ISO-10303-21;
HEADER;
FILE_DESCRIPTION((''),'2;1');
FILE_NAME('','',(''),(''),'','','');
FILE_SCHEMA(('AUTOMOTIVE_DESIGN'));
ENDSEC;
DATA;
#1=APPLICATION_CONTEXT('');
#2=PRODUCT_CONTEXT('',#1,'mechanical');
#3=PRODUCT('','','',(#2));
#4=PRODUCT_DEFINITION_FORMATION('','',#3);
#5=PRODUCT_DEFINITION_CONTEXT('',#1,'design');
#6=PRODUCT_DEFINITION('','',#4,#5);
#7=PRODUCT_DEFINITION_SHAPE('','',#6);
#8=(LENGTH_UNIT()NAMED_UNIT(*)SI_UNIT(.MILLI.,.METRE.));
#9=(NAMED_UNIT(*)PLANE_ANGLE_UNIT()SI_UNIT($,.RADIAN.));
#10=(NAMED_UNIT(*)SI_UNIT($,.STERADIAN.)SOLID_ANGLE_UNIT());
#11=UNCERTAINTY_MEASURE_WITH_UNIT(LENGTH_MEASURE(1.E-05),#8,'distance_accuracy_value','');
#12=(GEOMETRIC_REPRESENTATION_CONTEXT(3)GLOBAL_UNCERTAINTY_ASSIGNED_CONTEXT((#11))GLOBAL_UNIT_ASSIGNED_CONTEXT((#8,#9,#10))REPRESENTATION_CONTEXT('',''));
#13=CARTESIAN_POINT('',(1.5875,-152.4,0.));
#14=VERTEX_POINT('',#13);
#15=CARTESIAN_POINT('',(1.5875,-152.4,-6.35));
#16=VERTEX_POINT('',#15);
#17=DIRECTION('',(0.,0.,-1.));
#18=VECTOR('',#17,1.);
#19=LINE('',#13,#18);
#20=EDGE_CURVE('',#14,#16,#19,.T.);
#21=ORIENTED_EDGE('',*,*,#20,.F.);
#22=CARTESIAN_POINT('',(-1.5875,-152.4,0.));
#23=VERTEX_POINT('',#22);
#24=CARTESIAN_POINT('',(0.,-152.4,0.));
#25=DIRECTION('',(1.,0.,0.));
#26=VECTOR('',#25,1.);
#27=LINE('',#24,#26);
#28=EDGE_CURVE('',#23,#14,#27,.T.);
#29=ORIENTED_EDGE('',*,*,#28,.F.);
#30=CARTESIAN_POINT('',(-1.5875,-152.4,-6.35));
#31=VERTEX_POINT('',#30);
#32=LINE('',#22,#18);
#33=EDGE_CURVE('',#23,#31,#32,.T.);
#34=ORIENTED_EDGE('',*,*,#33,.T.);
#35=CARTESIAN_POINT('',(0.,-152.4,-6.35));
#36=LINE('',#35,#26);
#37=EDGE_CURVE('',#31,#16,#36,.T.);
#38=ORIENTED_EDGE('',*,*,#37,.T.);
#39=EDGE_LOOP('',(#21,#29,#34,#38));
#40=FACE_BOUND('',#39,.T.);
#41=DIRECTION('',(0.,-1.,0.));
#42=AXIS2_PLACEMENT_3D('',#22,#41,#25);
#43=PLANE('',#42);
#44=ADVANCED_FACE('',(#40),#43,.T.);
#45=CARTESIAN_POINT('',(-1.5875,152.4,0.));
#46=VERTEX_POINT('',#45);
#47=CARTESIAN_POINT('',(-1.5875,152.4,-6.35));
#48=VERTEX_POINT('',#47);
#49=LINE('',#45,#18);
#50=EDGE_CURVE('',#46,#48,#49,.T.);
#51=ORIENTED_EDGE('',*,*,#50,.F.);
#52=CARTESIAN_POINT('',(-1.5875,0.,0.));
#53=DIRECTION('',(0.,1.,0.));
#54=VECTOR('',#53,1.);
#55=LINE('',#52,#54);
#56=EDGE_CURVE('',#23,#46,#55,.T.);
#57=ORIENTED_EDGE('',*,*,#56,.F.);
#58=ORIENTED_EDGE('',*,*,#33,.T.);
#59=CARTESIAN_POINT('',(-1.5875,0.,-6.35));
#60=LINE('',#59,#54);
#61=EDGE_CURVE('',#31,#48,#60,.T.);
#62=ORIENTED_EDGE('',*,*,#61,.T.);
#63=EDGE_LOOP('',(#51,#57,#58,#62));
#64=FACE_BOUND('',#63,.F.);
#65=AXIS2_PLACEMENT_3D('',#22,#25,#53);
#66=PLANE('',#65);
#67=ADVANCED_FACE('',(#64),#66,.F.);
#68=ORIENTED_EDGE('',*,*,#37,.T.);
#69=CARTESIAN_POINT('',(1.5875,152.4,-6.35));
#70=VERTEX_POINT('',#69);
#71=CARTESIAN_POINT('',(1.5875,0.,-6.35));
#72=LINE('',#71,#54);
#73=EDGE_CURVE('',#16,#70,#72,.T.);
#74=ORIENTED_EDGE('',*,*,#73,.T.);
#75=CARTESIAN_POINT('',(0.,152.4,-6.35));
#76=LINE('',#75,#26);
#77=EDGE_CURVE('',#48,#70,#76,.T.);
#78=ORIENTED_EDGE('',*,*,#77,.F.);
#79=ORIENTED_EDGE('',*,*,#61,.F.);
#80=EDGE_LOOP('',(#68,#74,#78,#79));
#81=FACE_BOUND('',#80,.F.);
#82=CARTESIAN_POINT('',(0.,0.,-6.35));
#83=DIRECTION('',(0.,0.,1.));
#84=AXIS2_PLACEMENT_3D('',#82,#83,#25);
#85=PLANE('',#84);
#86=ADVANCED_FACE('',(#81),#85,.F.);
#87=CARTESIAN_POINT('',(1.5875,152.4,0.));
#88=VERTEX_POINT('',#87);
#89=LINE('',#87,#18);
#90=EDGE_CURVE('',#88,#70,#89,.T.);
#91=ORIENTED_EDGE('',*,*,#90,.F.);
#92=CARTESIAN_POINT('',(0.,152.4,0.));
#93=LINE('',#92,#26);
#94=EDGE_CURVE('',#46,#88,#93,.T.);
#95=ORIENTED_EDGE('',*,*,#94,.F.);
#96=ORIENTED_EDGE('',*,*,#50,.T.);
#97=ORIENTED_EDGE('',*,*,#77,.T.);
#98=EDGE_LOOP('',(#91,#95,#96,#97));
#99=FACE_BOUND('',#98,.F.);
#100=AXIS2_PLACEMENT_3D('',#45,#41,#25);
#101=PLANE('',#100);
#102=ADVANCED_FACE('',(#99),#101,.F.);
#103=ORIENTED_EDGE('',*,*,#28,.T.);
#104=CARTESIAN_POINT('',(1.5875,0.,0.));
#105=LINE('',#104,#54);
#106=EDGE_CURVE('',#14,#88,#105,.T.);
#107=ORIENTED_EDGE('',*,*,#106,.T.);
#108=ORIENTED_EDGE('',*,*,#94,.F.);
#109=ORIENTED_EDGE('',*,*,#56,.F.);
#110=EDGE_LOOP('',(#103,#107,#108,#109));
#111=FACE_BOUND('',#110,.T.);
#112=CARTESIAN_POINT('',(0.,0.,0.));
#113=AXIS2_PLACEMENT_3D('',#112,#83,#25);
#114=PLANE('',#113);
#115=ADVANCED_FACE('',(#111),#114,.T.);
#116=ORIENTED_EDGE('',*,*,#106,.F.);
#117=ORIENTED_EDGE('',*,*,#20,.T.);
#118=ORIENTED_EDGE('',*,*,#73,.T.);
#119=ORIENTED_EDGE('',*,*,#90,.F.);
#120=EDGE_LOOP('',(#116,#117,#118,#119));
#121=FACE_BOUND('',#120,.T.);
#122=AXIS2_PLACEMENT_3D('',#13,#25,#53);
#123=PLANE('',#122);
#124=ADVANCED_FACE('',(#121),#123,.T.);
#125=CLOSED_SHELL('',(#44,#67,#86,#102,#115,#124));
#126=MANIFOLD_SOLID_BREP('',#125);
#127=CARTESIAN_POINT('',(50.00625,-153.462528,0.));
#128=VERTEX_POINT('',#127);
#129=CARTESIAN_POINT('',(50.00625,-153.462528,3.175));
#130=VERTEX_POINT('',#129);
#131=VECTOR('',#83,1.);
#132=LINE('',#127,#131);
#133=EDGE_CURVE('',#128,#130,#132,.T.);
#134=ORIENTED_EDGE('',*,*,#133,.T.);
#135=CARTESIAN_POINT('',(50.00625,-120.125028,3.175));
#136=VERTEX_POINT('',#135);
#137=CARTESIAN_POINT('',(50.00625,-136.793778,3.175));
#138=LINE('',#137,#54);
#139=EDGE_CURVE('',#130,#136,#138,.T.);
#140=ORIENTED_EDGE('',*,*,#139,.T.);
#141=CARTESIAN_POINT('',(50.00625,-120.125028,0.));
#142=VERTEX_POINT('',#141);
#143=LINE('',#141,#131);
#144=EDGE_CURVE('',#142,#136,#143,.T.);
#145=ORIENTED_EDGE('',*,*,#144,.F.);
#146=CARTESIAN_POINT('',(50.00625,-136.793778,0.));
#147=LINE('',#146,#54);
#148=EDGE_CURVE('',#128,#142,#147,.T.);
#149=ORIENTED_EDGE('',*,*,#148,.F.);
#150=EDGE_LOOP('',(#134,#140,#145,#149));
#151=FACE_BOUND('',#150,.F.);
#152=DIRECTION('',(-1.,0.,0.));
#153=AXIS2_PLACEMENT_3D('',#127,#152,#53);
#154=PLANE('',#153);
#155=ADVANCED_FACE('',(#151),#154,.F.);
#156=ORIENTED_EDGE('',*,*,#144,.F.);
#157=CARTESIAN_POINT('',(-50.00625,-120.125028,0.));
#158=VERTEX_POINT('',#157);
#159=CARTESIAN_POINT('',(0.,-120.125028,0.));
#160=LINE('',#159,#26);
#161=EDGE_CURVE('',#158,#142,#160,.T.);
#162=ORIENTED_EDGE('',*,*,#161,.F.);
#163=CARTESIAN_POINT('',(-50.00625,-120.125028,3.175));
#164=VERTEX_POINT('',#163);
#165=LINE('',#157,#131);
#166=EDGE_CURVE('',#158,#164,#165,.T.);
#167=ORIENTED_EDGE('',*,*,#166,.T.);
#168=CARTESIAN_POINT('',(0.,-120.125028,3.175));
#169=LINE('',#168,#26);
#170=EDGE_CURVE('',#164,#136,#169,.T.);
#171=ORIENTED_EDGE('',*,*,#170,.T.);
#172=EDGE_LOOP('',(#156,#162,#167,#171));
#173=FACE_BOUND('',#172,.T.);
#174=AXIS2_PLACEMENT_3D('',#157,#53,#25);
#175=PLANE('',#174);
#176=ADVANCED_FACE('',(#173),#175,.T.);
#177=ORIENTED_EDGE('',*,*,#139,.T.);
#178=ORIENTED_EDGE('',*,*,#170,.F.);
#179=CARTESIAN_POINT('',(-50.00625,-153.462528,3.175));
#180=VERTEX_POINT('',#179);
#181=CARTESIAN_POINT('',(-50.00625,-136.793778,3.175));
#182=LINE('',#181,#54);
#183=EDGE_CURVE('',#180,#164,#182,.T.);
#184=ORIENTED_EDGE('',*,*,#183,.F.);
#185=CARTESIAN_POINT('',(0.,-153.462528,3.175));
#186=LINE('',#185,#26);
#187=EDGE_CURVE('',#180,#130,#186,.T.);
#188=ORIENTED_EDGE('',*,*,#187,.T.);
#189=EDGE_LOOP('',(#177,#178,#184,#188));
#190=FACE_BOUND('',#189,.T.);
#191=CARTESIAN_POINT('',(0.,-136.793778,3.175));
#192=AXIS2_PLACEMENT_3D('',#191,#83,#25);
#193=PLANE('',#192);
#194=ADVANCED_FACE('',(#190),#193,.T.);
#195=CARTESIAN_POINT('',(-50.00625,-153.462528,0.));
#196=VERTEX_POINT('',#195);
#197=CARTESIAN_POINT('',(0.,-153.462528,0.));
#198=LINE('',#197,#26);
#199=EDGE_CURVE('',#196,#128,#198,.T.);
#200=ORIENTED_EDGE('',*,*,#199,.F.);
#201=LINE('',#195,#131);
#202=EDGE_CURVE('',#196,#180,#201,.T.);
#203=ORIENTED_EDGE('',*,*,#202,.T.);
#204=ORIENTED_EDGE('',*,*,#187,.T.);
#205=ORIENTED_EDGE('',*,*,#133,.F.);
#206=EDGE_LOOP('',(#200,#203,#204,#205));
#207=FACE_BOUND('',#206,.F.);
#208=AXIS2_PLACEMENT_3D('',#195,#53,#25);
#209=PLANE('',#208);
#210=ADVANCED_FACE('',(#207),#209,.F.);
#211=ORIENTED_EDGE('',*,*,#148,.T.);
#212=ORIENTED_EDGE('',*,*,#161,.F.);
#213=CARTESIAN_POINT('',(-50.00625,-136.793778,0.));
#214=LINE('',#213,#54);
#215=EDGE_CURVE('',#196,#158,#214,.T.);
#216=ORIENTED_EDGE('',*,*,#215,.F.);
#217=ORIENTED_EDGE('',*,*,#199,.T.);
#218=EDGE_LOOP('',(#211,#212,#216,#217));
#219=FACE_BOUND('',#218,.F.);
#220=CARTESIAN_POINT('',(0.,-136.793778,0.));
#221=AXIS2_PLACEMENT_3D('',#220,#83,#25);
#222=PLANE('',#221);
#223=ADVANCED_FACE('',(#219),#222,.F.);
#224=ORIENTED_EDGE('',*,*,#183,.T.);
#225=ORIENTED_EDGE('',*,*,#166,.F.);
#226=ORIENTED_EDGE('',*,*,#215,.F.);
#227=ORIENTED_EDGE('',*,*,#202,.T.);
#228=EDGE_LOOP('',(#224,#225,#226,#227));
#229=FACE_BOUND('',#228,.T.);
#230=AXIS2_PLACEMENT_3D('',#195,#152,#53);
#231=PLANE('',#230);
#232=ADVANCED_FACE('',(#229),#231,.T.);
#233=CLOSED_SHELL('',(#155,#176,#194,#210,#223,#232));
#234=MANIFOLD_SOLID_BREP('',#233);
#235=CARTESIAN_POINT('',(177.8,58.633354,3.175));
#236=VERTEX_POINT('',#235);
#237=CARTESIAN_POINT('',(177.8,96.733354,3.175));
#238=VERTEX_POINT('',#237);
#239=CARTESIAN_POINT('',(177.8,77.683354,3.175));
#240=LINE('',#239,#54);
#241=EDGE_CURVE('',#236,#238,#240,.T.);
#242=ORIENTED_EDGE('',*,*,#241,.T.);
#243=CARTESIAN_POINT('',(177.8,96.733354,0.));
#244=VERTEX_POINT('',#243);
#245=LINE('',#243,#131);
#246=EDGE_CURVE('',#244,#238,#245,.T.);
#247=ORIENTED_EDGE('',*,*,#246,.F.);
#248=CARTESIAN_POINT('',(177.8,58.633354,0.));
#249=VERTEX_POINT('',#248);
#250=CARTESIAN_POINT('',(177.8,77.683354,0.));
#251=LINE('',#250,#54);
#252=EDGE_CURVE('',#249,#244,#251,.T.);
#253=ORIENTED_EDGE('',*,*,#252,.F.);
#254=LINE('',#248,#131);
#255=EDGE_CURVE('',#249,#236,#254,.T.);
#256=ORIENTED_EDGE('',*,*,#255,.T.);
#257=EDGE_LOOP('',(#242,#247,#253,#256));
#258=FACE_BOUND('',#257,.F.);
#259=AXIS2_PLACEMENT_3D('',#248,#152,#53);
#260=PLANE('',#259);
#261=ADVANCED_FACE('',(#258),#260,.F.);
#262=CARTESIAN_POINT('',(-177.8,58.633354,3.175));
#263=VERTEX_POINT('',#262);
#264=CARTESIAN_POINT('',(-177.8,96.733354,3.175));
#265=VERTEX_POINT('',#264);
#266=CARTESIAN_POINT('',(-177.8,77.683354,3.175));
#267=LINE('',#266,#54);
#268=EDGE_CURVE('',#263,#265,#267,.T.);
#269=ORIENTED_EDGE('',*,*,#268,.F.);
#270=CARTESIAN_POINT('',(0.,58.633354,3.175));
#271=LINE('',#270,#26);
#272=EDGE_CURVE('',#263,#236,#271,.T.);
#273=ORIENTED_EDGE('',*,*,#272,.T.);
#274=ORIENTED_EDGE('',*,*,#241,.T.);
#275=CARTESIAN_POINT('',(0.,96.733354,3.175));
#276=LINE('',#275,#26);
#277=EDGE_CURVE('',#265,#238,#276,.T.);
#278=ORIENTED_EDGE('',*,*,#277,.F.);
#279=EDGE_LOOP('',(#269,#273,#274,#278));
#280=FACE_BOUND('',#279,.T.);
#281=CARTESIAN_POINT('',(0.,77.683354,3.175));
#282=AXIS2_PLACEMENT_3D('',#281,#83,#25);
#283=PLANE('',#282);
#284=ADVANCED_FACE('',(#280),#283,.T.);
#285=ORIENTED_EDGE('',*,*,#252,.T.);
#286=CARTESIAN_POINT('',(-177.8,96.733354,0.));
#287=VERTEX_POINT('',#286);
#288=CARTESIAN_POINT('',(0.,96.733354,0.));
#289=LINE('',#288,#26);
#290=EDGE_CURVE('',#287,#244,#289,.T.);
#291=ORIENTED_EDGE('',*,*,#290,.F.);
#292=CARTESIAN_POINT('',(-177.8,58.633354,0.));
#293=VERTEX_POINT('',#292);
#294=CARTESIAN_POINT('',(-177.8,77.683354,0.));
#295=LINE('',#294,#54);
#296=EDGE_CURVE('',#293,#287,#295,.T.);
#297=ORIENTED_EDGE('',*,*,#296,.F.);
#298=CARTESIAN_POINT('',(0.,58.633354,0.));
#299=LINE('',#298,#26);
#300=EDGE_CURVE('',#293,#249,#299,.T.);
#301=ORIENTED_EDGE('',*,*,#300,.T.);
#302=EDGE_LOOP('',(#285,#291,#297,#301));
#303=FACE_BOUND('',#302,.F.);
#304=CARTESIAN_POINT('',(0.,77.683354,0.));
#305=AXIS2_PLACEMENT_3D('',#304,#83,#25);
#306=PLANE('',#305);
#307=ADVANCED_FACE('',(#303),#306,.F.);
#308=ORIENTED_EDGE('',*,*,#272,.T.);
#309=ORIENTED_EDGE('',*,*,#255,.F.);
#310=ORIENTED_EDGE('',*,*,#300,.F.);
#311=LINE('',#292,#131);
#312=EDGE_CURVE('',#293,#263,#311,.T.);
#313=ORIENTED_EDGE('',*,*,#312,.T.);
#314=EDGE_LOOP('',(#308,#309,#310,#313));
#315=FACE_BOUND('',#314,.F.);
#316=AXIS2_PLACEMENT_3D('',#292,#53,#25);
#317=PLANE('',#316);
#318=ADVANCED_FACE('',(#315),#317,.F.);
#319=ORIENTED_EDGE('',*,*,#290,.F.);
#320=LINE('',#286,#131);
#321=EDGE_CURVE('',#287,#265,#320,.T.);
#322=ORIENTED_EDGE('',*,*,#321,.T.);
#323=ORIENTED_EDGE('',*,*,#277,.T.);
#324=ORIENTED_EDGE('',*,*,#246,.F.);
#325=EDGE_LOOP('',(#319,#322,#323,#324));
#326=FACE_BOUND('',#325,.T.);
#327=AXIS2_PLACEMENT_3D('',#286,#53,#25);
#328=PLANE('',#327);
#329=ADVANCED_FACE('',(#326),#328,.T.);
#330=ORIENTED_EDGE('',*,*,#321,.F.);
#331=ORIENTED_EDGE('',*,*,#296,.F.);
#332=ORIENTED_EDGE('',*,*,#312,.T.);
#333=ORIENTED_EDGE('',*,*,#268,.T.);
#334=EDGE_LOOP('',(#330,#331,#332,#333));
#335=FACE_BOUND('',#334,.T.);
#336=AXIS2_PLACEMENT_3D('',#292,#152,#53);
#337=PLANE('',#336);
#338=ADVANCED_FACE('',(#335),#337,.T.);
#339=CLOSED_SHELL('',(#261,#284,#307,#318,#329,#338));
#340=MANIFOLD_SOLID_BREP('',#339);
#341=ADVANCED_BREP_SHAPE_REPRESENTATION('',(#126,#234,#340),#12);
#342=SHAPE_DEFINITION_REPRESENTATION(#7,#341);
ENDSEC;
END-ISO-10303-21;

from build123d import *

# Parameters (mm, degrees)
F1_W     = 355.6
F1_H     = 38.1
F2_DEPTH = 3.175
F1_W_2   = 100.0125
F1_H_2   = 33.3375
F3_DEPTH = 3.175
F0_W     = 3.175
F0_H     = 304.8
F4_DEPTH = 6.35


with BuildPart() as f2:
    # F1 (on Top) → F2 (new body)
    with BuildSketch(Plane.XY):
        with Locations((0, 77.683354)):
            Rectangle(F1_W, F1_H)
    extrude(amount=F2_DEPTH)


with BuildPart() as f3:
    # F1 (on Top) → F3 (new body)
    with BuildSketch(Plane.XY):
        with Locations((0, -136.793778)):
            Rectangle(F1_W_2, F1_H_2)
    extrude(amount=F3_DEPTH)


with BuildPart() as f4:
    # F0 (on Top) → F4 (new body)
    with BuildSketch(Plane.XY):
        Rectangle(F0_W, F0_H)
    extrude(amount=-F4_DEPTH)


solid = Compound([f2.part, f3.part, f4.part])
